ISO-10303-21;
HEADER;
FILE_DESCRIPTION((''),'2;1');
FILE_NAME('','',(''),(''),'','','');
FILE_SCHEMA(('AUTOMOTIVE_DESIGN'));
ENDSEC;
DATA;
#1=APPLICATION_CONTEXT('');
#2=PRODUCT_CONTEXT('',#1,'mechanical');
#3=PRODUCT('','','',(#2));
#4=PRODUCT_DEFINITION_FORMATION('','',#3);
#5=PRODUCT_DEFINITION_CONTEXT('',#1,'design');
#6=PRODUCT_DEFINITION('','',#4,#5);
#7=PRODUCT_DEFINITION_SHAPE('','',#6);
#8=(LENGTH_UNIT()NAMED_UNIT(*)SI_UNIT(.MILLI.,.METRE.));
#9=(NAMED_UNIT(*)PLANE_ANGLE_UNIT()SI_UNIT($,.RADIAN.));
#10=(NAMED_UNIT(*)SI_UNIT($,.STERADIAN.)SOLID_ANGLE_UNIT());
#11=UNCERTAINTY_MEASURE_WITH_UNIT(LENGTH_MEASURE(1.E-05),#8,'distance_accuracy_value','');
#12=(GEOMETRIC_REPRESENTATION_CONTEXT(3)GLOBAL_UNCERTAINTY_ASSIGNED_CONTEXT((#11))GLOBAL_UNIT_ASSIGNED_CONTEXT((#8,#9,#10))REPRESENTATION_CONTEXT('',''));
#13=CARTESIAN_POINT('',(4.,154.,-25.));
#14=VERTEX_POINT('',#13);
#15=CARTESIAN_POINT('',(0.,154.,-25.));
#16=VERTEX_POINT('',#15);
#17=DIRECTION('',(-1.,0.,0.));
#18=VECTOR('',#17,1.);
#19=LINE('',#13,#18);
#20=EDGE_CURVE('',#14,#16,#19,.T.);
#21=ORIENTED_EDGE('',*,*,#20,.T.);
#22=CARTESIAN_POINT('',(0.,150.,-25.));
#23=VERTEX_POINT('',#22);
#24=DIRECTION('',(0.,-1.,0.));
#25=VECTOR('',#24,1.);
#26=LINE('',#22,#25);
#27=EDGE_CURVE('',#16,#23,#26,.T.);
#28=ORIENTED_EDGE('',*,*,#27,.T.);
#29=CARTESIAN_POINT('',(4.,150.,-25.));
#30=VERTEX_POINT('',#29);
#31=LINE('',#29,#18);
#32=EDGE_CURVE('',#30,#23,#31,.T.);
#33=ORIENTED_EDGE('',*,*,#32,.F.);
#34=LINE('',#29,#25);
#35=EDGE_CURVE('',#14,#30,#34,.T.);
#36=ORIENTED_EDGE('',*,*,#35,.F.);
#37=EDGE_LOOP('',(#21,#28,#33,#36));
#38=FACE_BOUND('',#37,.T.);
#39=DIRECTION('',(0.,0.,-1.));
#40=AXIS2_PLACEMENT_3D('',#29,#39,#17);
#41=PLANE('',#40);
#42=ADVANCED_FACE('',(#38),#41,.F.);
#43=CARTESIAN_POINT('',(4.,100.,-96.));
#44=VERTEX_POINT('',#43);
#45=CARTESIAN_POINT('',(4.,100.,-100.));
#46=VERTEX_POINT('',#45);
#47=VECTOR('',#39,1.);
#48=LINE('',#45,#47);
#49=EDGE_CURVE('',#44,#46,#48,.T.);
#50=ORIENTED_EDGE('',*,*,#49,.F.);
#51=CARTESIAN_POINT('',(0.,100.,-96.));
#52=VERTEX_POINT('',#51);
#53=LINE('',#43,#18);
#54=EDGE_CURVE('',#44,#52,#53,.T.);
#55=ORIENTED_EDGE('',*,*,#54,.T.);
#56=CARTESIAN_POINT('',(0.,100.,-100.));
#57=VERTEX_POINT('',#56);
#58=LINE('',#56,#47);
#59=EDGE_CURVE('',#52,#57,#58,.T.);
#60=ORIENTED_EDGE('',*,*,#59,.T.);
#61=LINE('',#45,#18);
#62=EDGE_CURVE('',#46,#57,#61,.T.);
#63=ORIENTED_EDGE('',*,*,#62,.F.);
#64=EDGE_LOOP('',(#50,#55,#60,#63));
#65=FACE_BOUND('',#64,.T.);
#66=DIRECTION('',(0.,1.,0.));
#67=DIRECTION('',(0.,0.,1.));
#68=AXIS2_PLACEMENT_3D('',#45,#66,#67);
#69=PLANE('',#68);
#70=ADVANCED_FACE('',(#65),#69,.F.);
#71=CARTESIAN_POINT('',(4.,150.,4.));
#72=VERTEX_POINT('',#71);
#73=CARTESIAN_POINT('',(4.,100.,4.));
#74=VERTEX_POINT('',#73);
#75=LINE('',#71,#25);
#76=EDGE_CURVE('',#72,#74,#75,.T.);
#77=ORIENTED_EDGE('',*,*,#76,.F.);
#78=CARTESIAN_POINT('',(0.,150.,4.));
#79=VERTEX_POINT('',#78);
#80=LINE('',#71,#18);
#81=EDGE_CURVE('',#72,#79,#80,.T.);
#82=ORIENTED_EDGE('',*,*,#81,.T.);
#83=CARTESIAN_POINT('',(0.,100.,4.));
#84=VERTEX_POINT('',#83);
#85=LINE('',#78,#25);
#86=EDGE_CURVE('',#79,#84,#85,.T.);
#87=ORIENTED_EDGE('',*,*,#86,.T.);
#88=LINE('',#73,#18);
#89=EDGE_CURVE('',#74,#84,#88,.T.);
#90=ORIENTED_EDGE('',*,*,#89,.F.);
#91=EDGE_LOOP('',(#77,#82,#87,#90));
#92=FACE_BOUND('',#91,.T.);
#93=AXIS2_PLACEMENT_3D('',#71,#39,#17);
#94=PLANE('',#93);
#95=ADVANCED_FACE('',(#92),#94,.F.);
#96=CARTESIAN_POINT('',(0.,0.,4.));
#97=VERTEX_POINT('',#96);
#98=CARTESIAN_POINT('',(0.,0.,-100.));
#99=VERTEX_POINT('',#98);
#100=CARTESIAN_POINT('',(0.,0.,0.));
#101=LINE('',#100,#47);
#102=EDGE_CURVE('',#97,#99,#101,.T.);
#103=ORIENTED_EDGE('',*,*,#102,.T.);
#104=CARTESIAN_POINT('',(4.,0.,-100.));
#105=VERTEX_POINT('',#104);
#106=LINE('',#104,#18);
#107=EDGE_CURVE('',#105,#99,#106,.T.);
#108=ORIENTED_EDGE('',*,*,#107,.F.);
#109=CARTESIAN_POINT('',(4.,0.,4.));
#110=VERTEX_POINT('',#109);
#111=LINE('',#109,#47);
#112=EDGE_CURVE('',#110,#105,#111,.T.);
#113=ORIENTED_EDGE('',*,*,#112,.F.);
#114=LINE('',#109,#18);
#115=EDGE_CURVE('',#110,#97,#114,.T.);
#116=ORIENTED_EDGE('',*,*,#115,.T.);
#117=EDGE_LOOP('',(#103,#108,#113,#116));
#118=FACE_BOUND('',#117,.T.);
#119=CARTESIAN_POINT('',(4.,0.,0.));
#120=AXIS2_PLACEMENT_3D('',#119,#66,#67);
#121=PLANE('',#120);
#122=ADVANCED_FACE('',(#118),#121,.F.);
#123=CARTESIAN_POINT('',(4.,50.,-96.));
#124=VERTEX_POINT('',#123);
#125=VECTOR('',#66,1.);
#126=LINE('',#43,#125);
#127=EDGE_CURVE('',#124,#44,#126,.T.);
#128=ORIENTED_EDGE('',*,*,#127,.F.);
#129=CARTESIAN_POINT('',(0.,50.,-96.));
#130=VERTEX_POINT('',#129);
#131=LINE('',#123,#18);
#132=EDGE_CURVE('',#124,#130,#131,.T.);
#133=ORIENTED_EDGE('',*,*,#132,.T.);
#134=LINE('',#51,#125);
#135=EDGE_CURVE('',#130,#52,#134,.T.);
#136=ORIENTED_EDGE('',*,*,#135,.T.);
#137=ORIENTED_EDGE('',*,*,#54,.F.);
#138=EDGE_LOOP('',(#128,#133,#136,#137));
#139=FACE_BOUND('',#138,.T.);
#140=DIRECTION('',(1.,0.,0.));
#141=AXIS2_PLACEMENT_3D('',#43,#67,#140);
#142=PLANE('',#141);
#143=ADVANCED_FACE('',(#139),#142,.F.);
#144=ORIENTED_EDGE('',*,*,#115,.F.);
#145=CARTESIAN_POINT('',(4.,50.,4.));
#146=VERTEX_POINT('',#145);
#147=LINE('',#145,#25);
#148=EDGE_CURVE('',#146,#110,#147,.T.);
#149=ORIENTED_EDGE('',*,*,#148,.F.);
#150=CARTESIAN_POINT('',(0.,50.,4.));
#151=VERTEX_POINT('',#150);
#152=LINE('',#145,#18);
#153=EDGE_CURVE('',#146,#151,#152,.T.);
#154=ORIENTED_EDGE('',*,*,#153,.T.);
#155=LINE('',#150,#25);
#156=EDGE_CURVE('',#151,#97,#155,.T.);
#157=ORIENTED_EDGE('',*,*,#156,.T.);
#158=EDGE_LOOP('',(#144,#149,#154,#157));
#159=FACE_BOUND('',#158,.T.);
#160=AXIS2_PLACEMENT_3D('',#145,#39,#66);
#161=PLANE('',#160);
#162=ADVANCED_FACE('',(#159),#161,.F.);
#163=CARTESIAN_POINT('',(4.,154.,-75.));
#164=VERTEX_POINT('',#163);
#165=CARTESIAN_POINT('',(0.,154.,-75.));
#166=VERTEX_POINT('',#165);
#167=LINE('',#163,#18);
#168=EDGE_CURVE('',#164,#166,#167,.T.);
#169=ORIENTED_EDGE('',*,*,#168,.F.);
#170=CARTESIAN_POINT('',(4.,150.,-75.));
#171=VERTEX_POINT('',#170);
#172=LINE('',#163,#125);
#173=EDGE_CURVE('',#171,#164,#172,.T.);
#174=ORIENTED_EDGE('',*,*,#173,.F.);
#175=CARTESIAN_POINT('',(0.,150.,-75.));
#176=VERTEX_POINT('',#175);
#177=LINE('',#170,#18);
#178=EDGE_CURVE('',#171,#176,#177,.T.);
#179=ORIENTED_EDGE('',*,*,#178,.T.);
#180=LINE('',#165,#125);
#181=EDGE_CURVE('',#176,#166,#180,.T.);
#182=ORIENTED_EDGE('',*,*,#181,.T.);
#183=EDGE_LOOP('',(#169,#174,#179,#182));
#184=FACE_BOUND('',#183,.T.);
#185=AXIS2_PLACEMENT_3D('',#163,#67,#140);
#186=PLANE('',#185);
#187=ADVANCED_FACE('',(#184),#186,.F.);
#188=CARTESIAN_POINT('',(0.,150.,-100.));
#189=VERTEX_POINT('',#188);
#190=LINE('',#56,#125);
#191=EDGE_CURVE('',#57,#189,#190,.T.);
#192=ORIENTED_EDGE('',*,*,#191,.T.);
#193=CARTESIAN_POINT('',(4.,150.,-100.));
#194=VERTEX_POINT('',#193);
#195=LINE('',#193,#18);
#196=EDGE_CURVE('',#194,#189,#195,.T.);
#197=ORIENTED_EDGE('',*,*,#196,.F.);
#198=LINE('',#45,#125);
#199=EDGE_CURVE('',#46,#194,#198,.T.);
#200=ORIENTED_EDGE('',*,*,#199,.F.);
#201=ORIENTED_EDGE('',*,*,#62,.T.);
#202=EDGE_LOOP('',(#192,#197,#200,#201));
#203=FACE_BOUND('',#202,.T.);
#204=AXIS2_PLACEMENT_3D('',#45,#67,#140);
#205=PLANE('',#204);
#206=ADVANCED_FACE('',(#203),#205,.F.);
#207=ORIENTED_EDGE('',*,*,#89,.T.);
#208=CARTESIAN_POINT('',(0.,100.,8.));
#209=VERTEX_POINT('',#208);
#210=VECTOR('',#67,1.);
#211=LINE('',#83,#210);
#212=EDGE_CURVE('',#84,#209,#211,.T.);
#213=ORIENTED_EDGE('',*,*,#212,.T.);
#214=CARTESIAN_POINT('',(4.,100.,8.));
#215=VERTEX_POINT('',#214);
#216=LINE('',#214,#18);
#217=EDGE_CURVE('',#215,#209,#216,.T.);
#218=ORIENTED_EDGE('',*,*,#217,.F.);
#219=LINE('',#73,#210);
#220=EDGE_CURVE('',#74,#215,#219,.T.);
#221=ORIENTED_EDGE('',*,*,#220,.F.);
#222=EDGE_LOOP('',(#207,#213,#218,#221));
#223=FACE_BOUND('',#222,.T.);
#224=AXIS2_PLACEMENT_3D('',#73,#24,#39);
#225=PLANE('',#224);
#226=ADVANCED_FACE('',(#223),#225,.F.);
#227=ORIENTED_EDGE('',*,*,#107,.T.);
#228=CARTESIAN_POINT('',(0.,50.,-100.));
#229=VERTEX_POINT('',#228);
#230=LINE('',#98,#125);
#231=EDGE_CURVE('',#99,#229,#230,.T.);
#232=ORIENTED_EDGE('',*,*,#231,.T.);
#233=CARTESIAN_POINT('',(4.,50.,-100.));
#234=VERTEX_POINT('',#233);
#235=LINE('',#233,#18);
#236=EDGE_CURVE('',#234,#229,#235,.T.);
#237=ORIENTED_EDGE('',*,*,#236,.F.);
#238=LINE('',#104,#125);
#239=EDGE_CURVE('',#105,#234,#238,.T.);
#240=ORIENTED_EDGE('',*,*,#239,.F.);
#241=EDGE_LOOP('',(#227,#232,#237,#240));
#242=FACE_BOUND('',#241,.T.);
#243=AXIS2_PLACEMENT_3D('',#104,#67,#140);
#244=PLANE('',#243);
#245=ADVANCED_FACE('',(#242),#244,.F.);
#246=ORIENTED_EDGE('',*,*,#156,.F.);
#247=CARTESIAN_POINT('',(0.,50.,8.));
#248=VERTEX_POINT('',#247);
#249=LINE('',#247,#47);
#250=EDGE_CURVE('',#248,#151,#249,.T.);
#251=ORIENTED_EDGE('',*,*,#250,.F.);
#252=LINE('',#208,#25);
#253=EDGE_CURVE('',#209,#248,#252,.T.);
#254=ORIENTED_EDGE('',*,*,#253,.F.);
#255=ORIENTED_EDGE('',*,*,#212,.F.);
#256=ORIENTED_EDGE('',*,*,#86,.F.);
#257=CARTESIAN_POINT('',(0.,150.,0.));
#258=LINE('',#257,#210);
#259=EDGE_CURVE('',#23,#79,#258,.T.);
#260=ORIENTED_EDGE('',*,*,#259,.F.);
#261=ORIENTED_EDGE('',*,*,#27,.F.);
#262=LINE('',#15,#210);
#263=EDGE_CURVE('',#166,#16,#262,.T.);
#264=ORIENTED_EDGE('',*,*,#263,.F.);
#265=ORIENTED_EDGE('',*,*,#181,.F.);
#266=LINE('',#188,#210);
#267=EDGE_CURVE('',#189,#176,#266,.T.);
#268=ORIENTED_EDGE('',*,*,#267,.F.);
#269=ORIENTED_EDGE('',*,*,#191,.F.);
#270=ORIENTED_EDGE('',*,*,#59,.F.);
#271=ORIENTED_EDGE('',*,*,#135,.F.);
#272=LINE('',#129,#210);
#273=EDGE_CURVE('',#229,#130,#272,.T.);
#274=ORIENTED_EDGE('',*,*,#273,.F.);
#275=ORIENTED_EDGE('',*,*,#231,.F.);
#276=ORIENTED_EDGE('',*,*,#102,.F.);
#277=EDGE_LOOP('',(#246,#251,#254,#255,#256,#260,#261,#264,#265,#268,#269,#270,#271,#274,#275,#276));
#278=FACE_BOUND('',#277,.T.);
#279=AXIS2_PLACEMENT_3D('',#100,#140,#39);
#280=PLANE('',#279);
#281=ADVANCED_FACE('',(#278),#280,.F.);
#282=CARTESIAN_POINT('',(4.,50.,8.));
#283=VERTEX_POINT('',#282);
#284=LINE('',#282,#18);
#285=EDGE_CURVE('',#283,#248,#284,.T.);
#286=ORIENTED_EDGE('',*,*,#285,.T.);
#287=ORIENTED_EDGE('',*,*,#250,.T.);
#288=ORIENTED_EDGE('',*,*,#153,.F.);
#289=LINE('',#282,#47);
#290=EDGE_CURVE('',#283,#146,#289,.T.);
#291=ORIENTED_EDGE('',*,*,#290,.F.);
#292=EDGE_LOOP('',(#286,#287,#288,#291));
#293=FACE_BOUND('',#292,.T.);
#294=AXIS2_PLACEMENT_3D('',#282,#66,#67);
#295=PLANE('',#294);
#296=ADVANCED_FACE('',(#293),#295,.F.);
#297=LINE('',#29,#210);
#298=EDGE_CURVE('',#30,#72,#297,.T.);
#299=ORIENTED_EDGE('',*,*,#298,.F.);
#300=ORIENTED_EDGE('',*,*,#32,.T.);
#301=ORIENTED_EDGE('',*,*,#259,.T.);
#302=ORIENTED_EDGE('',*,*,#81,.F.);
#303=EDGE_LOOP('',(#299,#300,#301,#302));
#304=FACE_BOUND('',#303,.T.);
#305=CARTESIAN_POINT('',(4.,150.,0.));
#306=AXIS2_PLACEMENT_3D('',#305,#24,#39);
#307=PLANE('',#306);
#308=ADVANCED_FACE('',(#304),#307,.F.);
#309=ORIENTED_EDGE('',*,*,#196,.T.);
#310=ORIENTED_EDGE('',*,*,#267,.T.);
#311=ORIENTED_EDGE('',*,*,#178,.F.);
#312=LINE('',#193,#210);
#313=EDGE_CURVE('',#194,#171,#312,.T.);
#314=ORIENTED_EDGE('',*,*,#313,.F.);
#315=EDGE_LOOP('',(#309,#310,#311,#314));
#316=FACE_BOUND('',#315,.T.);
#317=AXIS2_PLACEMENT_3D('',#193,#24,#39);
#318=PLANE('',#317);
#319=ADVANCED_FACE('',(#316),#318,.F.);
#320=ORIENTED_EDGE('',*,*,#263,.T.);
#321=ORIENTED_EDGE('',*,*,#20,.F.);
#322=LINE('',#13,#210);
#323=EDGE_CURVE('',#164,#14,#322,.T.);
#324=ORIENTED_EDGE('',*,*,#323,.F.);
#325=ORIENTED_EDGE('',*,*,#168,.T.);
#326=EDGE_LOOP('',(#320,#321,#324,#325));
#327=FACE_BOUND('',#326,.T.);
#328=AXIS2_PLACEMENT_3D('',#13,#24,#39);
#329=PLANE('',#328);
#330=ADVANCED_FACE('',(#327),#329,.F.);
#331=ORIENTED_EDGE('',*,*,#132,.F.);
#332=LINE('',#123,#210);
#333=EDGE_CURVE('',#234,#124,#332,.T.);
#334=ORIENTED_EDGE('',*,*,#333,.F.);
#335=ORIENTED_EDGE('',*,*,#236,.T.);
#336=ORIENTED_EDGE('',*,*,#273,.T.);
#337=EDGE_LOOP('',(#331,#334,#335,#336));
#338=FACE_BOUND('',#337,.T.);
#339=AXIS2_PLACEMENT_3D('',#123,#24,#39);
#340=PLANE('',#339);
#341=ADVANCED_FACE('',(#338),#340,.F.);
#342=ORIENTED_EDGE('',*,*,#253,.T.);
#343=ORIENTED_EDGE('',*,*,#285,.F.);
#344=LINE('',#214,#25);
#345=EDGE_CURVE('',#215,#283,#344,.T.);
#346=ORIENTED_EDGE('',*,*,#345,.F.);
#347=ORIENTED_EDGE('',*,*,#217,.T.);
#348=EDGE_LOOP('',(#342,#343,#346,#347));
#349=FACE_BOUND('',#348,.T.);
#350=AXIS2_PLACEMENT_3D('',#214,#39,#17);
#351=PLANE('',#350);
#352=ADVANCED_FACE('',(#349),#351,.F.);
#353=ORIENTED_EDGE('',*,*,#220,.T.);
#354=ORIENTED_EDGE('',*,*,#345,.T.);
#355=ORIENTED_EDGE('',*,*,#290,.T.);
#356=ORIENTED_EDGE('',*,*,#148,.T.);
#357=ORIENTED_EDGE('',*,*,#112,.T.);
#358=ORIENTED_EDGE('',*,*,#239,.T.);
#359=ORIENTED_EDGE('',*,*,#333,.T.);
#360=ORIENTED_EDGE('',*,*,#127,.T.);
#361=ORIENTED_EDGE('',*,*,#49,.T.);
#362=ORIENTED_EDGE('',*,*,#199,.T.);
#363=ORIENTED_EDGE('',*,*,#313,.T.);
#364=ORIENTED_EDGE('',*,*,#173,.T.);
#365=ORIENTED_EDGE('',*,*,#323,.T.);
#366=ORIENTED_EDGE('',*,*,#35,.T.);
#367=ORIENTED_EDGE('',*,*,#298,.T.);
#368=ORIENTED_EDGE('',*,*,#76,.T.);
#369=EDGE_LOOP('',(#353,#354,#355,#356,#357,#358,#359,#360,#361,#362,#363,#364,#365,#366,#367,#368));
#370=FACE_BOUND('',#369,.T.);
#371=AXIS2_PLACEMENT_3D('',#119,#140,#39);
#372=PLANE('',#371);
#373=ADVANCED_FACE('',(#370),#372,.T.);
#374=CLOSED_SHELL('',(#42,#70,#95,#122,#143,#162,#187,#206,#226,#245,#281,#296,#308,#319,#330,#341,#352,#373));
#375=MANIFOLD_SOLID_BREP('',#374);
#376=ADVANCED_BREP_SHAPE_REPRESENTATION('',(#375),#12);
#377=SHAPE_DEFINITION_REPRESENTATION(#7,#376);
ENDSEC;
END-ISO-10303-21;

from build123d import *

# Parameters (mm, degrees)
BOSS_EXTRUDE1_DEPTH = 4


with BuildPart() as part:
    # Sketch1 → Boss-Extrude1 (new body)
    with BuildSketch(Plane(origin=(0, 0, 0), x_dir=(0, 0, -1), z_dir=(1, 0, 0))):
        Polygon((0, 0), (100, 0), (100, 50), (96, 50), (96, 100), (100, 100), (100, 150), (75, 150), (75, 154), (25, 154), (25, 150), (0, 150), (-4, 150), (-4, 100), (-8, 100), (-8, 50), (-4, 50), (-4, 0), align=None)
    extrude(amount=BOSS_EXTRUDE1_DEPTH)


solid = part.part
